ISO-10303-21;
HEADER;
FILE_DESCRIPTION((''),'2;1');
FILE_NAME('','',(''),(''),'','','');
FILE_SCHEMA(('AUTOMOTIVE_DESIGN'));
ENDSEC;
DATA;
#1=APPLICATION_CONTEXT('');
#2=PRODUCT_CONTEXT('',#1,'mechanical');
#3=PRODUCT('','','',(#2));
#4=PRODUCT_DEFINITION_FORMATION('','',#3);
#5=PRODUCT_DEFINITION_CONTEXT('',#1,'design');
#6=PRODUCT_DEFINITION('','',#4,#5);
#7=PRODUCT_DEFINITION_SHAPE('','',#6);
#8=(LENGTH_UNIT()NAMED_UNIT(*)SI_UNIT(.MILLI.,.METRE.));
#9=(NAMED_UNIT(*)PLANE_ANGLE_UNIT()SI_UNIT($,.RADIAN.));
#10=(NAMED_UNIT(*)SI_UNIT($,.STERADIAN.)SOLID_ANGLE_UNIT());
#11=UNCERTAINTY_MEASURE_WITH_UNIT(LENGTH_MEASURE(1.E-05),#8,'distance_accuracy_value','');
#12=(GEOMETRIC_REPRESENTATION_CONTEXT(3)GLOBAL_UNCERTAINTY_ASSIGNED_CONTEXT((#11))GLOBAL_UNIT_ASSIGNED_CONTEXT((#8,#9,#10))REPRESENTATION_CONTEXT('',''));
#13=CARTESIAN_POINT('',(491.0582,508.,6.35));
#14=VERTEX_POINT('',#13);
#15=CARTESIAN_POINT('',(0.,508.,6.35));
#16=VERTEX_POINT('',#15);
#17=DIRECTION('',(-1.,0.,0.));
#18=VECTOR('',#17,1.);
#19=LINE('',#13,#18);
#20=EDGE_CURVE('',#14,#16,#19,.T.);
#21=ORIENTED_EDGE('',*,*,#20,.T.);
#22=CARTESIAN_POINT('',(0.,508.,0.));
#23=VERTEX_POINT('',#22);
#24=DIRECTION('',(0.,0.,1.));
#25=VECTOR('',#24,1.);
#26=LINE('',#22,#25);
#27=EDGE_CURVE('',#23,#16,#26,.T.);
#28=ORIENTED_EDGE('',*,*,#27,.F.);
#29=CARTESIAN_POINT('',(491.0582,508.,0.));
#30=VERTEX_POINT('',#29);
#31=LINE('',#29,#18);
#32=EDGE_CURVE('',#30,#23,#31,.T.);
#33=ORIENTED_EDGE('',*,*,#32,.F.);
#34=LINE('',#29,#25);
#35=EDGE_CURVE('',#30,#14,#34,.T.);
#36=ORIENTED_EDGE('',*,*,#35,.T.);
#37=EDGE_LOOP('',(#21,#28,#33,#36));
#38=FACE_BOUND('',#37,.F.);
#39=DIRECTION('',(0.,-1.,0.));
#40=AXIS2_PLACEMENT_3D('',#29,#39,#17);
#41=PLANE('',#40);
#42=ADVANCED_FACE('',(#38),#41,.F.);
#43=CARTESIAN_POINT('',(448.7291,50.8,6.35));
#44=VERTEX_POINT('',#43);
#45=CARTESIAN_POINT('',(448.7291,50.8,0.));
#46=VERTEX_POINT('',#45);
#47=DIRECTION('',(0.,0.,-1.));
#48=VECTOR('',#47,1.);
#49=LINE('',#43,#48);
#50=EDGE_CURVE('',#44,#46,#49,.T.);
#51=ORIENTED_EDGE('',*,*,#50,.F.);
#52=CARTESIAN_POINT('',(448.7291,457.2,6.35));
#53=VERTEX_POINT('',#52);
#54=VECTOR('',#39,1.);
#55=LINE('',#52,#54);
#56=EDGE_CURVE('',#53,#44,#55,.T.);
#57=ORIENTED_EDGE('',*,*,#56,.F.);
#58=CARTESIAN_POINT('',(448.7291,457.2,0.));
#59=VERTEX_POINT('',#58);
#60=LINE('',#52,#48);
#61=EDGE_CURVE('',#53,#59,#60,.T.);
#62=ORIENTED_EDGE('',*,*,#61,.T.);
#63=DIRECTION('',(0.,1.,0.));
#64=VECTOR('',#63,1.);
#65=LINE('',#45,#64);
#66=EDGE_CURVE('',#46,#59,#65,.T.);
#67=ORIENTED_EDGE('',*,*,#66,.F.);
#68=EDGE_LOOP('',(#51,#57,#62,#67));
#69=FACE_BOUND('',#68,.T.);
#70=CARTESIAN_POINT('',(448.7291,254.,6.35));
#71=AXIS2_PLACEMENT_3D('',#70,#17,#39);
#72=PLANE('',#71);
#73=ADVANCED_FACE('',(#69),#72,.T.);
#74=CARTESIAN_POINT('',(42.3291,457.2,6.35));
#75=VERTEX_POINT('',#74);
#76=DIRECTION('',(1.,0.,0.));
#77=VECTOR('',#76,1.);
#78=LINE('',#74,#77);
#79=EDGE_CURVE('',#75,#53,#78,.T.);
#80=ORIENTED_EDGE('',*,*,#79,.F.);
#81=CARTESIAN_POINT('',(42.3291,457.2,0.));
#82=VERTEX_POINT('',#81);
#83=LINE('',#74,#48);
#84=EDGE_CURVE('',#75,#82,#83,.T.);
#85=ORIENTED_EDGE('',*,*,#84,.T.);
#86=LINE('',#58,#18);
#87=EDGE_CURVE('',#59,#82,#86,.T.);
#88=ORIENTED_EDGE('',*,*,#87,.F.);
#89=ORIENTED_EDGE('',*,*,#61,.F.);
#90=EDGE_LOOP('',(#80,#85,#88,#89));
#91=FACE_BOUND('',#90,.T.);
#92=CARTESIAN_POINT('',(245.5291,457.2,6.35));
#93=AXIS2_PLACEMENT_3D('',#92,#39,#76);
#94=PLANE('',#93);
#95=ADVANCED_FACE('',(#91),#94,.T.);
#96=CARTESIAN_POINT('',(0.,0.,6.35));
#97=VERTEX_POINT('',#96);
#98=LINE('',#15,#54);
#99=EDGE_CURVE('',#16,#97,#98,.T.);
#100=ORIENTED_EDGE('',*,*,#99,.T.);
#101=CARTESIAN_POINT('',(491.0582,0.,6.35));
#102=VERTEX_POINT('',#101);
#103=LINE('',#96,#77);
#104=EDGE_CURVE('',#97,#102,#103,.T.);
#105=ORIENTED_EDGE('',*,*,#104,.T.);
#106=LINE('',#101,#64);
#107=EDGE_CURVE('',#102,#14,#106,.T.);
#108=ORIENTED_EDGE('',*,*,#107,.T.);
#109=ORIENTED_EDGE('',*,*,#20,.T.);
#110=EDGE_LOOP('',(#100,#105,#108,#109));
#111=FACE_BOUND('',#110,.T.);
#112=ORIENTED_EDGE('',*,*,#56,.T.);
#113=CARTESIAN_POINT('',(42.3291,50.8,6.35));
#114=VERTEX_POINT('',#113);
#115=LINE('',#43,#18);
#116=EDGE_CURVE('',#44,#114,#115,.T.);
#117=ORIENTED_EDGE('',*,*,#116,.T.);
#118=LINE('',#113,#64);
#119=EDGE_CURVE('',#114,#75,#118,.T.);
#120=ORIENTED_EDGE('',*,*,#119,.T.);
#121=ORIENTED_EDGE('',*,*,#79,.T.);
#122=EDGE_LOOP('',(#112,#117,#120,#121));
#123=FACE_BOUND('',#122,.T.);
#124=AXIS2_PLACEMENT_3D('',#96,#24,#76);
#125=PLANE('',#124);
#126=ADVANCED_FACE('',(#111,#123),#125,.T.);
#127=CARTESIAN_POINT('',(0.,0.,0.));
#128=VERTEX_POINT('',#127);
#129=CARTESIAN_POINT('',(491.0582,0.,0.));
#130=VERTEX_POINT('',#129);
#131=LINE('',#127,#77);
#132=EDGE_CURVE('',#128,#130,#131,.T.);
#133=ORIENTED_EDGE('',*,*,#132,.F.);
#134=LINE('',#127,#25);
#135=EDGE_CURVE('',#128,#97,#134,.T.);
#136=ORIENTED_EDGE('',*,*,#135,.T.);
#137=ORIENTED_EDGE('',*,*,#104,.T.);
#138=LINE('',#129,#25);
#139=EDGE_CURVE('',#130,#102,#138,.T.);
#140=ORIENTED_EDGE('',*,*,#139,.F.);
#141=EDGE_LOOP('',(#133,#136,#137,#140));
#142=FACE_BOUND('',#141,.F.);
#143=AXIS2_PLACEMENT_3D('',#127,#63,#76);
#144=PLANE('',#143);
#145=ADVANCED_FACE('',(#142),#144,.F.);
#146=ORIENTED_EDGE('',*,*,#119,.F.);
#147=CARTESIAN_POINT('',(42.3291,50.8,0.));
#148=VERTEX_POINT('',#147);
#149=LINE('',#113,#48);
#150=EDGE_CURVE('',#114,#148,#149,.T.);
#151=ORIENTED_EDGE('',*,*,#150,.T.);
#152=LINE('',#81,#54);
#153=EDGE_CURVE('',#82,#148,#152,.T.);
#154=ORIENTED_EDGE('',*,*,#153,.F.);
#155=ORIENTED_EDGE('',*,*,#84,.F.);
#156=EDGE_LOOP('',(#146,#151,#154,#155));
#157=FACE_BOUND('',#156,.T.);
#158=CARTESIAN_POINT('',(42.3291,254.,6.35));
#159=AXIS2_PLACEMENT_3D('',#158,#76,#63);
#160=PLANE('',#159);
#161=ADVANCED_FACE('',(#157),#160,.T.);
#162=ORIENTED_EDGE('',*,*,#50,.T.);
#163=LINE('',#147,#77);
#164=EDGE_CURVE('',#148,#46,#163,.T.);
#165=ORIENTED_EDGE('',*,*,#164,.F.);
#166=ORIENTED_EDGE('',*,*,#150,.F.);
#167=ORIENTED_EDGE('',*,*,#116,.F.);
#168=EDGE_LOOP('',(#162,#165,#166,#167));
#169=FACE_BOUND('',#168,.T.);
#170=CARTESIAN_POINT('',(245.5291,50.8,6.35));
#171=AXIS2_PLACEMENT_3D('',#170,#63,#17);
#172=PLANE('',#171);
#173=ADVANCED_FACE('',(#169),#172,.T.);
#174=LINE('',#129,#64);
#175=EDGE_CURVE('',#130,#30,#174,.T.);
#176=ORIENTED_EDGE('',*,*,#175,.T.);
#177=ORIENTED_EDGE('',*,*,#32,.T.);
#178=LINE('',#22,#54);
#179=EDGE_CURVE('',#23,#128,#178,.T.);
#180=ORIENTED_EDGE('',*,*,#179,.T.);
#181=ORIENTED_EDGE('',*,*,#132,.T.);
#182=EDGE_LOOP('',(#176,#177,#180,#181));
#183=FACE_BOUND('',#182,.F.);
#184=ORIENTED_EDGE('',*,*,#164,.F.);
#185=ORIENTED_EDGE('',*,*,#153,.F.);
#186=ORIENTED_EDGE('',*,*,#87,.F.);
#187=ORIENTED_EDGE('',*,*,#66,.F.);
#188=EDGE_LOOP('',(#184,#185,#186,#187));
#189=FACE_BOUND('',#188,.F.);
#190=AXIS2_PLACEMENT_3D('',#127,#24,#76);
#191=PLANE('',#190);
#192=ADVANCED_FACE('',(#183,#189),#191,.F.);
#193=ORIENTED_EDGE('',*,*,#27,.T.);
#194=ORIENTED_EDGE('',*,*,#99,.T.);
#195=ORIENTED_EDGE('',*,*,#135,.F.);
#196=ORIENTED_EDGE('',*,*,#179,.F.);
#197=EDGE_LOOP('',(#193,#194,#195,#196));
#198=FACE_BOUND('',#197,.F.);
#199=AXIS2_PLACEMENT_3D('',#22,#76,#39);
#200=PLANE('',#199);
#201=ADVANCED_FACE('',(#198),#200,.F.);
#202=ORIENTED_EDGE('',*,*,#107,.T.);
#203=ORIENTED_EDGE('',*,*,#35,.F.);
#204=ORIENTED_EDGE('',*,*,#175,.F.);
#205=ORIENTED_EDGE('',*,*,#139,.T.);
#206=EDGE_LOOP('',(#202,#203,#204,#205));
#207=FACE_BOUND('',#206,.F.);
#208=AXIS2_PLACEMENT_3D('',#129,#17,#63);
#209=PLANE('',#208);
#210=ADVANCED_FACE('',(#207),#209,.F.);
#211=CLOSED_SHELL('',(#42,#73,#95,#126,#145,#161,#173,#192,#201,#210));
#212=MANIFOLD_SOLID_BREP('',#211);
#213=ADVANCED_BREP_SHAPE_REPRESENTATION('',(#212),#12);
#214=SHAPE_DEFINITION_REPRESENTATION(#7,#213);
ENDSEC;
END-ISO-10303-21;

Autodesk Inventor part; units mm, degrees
ref_plane "YZ Plane" through (0, 0, 0) normal (1, 0, 0) x (0, 1, 0)
ref_plane "XZ Plane" through (0, 0, 0) normal (0, 1, 0) x (-1, 0, 0)
ref_plane "XY Plane" through (0, 0, 0) normal (0, 0, 1) x (1, 0, 0)
sketch "Sketch1" plane through (0, 0, 0) normal (0, 0, 1) x (1, 0, 0)
  line L0 (0, 0) -> (491.0582, 0)
  line L1 (491.0582, 0) -> (491.0582, 508)
  line L2 (491.0582, 508) -> (0, 508)
  line L3 (0, 508) -> (0, 0)
  dimension "d0" = 491.0582
  dimension "d1" = 508
extrude "Extrusion1" add sketch "Sketch1" along normal blind 6.35
sketch "Sketch2" plane through (0, 0, 6.35) normal (0, 0, 1) x (1, 0, 0)
  line L0 (42.3291, 457.2) -> (448.7291, 457.2)
  line L1 (448.7291, 457.2) -> (448.7291, 50.8)
  line L2 (448.7291, 50.8) -> (42.3291, 50.8)
  line L3 (42.3291, 50.8) -> (42.3291, 457.2)
  line L4 (245.5291, 50.8) -> (245.5291, 0)
  line L5 (0, 0) -> (491.0582, 0) projected
  line L6 (245.5291, 457.2) -> (245.5291, 508)
  line L7 (491.0582, 508) -> (0, 508) projected
  line L8 (42.3291, 254) -> (0, 254)
  line L9 (0, 508) -> (0, 0) projected
  line L10 (448.7291, 254) -> (491.0582, 254)
  line L11 (491.0582, 0) -> (491.0582, 508) projected
  dimension "d4" = 406.4
  dimension "d5" = 406.4
extrude "Extrusion2" cut sketch "Sketch2" against normal blind 6.35 contours L0 L1 L2 L3
properties part number "window inner"
